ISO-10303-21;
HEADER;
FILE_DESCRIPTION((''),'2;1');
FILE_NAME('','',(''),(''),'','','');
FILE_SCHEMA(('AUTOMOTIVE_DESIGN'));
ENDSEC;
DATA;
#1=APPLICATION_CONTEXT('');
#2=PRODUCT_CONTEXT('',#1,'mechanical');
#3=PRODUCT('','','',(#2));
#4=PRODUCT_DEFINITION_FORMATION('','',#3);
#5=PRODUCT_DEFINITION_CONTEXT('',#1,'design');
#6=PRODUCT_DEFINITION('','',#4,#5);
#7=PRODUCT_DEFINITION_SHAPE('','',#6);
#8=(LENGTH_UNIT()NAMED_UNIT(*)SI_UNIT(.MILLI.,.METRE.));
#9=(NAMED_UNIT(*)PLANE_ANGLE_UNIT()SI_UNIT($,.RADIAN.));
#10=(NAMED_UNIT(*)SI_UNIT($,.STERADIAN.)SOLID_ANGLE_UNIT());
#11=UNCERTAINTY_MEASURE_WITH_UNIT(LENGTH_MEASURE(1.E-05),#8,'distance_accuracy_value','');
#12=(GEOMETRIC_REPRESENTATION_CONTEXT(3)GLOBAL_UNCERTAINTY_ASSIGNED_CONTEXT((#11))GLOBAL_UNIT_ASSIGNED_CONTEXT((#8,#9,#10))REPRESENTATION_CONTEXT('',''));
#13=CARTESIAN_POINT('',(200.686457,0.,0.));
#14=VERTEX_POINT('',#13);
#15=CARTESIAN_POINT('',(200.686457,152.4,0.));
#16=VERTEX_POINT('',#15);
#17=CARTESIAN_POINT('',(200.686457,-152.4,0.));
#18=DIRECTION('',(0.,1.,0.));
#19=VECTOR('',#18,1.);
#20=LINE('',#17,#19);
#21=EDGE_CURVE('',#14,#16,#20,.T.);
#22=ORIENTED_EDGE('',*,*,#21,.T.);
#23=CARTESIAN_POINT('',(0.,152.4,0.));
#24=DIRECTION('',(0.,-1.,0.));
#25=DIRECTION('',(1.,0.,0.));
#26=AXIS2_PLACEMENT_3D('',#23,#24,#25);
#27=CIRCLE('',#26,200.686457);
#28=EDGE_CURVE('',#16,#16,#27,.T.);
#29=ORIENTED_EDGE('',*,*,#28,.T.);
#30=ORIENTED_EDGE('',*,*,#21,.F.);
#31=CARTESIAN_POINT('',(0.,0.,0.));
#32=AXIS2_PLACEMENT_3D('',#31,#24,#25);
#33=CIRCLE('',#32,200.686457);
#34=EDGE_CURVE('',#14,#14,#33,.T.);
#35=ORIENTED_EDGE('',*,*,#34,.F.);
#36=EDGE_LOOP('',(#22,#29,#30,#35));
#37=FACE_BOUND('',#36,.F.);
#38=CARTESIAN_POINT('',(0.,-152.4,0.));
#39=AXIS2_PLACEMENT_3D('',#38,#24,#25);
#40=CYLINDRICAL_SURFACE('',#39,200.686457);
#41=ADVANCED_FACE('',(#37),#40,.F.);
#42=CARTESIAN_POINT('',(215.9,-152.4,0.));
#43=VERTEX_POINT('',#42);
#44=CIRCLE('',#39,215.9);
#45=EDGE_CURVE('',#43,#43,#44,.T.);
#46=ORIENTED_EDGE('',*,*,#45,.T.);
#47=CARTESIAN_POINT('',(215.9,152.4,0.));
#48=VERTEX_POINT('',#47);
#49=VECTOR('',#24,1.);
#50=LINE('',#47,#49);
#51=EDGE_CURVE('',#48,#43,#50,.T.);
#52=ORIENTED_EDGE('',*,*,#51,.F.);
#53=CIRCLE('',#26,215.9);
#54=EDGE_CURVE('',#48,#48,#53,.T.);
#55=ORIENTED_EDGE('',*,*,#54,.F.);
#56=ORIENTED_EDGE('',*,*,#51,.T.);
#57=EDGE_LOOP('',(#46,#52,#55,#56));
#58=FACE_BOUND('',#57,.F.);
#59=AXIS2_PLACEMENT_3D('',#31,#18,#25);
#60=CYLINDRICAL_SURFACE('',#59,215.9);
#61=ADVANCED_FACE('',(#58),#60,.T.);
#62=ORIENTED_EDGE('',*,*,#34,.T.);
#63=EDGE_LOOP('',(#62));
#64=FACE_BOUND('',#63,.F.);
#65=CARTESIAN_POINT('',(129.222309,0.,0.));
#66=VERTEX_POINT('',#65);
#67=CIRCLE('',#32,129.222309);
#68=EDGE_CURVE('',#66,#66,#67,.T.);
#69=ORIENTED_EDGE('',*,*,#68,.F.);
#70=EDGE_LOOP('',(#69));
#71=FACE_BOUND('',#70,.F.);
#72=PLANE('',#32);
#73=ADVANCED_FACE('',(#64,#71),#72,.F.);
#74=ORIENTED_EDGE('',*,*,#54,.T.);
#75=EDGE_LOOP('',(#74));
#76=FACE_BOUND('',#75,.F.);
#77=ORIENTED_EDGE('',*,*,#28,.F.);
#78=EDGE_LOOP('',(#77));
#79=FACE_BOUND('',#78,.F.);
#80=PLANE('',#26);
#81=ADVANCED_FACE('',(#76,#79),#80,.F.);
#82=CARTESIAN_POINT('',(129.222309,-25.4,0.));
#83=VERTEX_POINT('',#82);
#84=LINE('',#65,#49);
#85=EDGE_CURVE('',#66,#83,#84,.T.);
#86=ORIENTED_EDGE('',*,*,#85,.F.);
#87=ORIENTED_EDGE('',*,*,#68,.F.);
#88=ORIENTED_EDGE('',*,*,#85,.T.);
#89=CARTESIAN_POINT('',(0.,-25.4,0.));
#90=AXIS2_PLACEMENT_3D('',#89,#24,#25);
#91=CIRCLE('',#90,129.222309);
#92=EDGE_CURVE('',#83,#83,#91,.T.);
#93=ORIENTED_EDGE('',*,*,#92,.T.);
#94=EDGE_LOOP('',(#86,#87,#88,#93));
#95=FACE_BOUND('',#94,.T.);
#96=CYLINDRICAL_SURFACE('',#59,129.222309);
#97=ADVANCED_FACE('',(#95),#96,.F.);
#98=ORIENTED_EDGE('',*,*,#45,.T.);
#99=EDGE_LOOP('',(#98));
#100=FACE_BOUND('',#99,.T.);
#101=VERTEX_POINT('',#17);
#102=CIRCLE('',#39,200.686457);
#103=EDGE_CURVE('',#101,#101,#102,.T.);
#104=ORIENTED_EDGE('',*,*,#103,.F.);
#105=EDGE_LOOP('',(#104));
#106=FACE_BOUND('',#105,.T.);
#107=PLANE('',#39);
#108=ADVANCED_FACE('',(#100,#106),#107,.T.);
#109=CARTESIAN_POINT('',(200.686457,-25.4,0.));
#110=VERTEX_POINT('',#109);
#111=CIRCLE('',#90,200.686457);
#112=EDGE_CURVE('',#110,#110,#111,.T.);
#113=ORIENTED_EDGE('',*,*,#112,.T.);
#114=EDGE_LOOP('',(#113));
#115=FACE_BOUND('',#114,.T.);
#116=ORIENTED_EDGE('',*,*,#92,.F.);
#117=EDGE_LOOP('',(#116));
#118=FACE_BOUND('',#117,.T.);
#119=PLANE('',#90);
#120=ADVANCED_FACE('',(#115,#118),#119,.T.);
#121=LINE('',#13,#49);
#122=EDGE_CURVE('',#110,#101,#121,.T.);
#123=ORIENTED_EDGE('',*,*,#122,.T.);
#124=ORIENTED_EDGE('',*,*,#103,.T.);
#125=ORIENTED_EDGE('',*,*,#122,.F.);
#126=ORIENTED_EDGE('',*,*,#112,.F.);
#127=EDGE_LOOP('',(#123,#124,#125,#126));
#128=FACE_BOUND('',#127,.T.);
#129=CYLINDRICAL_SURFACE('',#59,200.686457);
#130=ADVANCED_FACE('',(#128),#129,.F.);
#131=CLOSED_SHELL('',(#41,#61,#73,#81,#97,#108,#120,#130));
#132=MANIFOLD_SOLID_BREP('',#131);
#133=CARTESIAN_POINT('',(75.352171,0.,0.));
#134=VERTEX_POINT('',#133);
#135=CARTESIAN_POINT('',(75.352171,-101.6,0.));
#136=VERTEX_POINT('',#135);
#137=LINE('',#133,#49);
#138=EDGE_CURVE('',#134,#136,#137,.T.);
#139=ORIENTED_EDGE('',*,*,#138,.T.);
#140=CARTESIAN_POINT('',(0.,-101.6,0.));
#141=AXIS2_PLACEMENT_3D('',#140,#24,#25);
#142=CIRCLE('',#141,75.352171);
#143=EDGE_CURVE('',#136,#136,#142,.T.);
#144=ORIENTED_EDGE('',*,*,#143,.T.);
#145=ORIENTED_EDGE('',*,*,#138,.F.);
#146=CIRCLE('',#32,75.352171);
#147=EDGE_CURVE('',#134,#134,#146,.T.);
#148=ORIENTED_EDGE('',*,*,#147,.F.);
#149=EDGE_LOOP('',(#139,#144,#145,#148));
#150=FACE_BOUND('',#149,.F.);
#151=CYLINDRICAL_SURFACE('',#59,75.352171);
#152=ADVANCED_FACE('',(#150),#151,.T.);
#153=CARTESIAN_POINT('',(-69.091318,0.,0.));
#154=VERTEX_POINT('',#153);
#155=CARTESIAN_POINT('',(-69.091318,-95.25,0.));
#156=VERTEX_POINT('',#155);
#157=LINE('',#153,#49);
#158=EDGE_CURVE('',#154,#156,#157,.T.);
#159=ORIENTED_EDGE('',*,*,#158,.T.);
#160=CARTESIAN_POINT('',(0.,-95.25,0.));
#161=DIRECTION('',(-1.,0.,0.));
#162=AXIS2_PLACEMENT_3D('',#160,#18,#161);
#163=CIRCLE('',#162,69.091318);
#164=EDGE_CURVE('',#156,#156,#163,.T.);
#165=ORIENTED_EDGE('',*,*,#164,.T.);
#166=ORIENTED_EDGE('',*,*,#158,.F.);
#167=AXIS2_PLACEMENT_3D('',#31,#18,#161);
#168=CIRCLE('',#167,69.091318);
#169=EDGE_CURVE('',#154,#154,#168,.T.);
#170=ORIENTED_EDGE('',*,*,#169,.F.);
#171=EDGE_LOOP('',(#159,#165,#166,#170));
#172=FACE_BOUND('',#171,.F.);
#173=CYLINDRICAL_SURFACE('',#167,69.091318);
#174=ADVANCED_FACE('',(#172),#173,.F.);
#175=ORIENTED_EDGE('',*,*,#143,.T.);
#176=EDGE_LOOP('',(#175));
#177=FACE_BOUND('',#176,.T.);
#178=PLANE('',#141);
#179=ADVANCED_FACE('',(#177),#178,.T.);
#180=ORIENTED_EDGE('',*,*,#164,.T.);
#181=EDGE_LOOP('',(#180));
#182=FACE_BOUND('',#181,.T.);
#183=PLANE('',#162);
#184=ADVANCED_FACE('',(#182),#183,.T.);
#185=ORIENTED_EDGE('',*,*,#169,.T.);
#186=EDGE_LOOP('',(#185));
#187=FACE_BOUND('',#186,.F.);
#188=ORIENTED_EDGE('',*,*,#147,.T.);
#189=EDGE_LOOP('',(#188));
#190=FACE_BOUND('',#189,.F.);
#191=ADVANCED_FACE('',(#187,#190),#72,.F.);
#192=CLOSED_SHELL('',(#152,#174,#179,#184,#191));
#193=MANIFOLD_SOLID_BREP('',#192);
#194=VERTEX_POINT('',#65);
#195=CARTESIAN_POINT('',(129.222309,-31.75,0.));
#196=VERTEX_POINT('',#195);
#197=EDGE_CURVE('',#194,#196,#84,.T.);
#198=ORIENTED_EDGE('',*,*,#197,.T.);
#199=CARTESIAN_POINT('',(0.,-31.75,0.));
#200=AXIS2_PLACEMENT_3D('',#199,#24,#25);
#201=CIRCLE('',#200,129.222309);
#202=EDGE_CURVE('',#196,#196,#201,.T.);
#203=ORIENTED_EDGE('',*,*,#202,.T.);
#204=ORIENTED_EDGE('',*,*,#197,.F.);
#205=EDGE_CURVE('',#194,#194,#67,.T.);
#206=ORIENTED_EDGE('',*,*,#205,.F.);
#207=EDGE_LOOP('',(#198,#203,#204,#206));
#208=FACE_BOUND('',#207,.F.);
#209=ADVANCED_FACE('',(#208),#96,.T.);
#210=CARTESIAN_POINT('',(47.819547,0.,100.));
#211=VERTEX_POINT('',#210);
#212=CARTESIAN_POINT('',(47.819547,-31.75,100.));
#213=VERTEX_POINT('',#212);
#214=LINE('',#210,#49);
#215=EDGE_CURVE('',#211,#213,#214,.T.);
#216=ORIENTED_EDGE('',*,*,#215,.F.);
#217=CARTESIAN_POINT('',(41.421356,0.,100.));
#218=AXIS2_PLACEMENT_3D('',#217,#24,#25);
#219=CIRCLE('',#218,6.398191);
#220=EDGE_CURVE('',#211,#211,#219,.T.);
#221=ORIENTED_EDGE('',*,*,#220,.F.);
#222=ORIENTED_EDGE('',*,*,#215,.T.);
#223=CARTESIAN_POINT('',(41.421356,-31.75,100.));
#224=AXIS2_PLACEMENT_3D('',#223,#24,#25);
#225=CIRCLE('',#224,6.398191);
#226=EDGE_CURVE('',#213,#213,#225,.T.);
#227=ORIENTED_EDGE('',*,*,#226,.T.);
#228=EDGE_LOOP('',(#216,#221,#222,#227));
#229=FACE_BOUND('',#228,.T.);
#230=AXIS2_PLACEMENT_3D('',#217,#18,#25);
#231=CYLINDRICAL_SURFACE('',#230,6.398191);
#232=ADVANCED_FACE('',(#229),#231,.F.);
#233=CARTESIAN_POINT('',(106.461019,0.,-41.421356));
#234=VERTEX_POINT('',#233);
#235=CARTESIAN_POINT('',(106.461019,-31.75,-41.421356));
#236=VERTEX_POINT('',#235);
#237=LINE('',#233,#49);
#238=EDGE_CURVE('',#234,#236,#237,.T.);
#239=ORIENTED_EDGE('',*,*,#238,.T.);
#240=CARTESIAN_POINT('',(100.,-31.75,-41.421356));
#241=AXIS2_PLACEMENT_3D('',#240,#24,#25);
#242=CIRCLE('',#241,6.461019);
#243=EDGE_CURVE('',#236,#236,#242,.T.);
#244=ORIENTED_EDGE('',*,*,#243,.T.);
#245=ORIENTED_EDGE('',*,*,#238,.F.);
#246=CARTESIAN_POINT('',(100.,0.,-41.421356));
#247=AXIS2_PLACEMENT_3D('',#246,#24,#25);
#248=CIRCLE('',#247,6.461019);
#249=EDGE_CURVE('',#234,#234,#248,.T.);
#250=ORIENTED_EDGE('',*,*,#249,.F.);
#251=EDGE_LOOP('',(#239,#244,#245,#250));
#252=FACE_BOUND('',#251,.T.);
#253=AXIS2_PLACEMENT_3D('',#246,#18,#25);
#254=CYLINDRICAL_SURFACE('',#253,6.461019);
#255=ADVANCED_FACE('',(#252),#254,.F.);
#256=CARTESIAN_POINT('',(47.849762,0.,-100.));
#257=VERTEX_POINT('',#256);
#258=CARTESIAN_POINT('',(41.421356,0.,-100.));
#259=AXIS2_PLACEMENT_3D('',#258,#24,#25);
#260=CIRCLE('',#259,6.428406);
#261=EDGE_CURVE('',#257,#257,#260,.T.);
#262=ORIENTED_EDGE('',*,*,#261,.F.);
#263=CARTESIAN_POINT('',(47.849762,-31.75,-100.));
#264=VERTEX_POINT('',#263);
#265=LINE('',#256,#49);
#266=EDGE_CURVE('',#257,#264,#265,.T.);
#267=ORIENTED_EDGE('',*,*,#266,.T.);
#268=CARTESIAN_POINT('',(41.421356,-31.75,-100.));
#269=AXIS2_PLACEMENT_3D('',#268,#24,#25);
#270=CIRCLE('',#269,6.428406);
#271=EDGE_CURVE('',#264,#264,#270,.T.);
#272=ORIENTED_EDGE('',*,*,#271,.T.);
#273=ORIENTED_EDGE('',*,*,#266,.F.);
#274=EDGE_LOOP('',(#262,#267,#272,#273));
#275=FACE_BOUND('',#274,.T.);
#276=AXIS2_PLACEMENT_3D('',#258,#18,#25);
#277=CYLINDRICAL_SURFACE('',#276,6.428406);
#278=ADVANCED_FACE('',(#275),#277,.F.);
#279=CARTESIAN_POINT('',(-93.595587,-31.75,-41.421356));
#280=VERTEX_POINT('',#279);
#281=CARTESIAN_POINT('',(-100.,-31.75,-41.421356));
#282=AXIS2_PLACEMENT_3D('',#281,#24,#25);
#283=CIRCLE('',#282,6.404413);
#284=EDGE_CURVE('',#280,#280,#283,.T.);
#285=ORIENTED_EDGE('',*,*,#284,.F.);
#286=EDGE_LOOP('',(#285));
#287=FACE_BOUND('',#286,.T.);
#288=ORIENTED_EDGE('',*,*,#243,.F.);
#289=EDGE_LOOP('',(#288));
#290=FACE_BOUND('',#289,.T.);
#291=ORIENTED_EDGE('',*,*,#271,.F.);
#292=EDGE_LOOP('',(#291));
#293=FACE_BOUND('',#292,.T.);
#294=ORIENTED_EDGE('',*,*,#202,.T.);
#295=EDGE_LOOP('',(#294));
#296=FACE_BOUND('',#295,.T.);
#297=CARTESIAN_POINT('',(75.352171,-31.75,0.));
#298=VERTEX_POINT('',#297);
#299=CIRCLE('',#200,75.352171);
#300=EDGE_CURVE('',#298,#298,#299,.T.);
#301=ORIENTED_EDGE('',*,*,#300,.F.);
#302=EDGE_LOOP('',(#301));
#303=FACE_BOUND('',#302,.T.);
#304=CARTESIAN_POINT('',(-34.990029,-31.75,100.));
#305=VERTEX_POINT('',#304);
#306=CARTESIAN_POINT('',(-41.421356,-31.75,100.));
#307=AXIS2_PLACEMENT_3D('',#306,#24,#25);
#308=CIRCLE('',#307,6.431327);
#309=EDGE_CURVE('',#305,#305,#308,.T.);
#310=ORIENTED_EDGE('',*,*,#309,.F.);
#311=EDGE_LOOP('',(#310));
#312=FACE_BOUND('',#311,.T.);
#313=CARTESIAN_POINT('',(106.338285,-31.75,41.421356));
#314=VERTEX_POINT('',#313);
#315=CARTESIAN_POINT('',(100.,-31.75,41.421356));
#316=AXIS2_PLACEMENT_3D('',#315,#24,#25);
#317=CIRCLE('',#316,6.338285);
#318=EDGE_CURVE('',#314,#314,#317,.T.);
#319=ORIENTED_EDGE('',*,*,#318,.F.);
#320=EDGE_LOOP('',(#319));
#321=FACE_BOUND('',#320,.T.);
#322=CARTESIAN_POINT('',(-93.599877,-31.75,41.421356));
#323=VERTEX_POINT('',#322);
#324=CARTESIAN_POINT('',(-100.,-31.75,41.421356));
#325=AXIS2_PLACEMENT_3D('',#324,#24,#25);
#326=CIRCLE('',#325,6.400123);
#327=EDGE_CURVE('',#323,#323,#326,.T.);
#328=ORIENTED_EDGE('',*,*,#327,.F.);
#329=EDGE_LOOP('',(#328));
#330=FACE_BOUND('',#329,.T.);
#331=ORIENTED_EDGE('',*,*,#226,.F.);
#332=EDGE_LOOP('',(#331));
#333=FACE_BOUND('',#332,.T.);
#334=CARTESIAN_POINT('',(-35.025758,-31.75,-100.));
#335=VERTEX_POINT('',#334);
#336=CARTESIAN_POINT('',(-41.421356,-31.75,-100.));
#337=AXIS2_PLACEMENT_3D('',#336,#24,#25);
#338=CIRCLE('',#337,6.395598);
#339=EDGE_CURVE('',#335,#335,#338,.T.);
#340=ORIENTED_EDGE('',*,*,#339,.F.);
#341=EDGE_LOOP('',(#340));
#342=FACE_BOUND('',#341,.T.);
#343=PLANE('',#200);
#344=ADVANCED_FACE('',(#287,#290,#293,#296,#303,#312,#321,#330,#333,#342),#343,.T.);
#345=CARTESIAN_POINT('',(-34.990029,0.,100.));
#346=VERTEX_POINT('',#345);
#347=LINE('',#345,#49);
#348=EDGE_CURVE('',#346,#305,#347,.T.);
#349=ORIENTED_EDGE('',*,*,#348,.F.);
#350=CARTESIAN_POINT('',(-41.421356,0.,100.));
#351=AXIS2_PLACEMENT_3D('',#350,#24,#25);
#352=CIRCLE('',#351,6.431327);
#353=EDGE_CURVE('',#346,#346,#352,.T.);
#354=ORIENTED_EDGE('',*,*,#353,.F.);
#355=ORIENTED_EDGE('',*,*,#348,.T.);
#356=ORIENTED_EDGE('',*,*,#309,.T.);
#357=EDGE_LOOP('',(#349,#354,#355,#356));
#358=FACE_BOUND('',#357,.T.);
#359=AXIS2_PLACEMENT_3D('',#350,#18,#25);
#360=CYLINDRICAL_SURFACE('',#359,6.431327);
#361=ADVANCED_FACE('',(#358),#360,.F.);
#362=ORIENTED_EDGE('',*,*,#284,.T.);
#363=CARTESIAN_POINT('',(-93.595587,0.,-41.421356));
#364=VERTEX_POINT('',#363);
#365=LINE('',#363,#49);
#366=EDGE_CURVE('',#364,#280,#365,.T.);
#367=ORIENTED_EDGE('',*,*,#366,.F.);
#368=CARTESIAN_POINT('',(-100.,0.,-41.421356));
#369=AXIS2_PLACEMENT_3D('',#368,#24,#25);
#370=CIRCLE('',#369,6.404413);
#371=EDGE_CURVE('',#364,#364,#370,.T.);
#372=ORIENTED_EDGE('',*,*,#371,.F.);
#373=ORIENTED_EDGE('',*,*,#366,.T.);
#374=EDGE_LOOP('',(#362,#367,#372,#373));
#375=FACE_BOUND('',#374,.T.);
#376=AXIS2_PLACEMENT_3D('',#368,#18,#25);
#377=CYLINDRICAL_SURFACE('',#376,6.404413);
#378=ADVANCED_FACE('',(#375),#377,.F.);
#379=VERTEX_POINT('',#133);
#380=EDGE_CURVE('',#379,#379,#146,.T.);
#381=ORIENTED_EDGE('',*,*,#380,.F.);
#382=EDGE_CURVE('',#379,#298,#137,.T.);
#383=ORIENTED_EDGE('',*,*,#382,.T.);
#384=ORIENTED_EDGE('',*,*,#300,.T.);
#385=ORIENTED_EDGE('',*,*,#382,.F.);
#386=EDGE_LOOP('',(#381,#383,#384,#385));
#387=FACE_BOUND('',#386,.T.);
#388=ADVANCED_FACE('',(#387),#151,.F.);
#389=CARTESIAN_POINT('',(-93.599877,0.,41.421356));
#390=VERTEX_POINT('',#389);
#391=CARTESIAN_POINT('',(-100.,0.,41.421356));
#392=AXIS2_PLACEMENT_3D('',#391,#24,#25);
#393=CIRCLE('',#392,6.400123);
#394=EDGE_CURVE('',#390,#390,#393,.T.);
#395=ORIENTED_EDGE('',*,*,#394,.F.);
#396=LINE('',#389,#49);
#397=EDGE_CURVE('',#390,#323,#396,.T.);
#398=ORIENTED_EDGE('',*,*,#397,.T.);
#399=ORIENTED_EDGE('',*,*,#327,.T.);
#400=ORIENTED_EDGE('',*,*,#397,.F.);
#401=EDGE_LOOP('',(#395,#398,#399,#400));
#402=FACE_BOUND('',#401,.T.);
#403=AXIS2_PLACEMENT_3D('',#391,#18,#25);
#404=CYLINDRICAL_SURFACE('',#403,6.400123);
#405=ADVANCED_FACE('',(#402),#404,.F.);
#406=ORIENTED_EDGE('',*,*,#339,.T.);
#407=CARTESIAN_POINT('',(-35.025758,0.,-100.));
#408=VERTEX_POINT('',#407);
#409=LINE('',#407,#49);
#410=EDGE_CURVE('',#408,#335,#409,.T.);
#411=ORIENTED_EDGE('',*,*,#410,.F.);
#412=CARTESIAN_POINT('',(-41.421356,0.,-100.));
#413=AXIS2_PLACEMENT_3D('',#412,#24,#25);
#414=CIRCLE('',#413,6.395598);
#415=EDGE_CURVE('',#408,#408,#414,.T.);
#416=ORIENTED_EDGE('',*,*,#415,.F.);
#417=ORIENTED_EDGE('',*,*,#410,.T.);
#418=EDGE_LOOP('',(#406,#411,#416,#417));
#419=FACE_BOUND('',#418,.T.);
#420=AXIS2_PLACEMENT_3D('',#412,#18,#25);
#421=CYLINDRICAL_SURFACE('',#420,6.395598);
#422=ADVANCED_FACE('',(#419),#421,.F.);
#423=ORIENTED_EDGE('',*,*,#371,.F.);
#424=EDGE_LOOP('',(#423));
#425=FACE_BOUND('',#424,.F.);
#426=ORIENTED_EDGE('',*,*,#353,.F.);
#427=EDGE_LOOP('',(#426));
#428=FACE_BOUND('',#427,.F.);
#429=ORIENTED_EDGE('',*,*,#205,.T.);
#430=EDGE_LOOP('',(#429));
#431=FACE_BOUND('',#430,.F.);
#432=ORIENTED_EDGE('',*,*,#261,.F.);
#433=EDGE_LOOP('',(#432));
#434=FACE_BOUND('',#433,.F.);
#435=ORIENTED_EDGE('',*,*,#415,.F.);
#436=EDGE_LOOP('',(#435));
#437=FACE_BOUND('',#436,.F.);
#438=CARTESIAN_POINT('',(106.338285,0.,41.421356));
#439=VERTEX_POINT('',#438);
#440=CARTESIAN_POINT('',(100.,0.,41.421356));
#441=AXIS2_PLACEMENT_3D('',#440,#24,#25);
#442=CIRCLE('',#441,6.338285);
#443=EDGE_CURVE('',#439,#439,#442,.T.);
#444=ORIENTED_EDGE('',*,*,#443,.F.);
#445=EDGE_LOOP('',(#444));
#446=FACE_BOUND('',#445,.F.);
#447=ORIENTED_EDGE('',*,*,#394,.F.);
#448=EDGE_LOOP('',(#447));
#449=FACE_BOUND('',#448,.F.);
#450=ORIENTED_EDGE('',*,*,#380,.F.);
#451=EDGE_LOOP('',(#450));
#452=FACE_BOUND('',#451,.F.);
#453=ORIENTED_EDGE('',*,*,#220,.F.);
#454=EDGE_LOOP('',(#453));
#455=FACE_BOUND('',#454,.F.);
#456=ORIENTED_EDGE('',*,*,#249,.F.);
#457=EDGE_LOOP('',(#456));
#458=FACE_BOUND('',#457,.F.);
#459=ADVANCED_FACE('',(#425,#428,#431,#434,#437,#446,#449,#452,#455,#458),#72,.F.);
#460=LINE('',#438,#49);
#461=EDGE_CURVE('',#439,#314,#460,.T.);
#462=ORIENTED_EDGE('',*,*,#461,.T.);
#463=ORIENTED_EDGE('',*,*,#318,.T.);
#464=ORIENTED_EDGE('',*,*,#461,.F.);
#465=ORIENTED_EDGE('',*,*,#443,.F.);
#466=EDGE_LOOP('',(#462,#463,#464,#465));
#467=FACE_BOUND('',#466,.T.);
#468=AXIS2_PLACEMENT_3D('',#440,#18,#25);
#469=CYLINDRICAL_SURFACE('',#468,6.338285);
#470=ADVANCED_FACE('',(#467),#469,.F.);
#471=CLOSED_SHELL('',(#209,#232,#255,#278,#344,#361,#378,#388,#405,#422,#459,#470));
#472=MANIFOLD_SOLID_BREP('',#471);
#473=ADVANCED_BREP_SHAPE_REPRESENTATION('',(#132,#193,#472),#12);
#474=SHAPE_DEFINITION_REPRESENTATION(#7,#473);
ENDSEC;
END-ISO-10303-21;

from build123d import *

# Parameters (mm, degrees)
F0_R        = 215.9
F0_R_2      = 200.686457
F1_DEPTH    = 152.4
F0_R_3      = 129.222309
F2_DEPTH    = 25.4
F0_R_4      = 75.352171
F3_DEPTH    = 101.6
F0_R_5      = 6.395598
F0_R_6      = 6.404413
F0_R_7      = 6.428406
F0_R_8      = 6.461019
F0_R_9      = 6.400123
F0_R_10     = 6.431327
F0_R_11     = 6.338285
F0_R_12     = 6.398191
F4_DEPTH    = 31.75
F5_R        = 69.091318
F6_DEPTH    = 95.25
F1_FACE_R   = 215.9
F1_FACE_R_2 = 200.686457
F7_DEPTH    = 304.8


with BuildPart() as f1:
    # F0 (on Front) → F1 (new body)
    with BuildSketch(Plane.XZ):
        Circle(F0_R)
        Circle(F0_R_2, mode=Mode.SUBTRACT)
    extrude(amount=F1_DEPTH)

    # F0 (on Front) → F2 (join)
    with BuildSketch(Plane.XZ):
        Circle(F0_R_2)
        Circle(F0_R_3, mode=Mode.SUBTRACT)
    extrude(amount=F2_DEPTH)

    # F1_face (on face) → F7 (join)
    with BuildSketch(Plane.XZ.offset(152.4)):
        Circle(F1_FACE_R)
        Circle(F1_FACE_R_2, mode=Mode.SUBTRACT)
    extrude(amount=-F7_DEPTH)


with BuildPart() as f3:
    # F0 (on Front) → F3 (new body)
    with BuildSketch(Plane.XZ):
        Circle(F0_R_4)
    extrude(amount=F3_DEPTH)

    # F5 (on face) → F6 (cut)
    with BuildSketch(Plane(origin=(0, 0, 0), x_dir=(-1, 0, 0), z_dir=(0, 1, 0))):
        Circle(F5_R)
    extrude(amount=-F6_DEPTH, mode=Mode.SUBTRACT)


with BuildPart() as f4:
    # F0 (on Front) → F4 (new body)
    with BuildSketch(Plane.XZ):
        Circle(F0_R_3)
        with Locations((-41.421356, -100)):
            Circle(F0_R_5, mode=Mode.SUBTRACT)
        with Locations((-100, -41.421356)):
            Circle(F0_R_6, mode=Mode.SUBTRACT)
        with Locations((41.421356, -100)):
            Circle(F0_R_7, mode=Mode.SUBTRACT)
        with Locations((100, -41.421356)):
            Circle(F0_R_8, mode=Mode.SUBTRACT)
        with Locations((-100, 41.421356)):
            Circle(F0_R_9, mode=Mode.SUBTRACT)
        with Locations((-41.421356, 100)):
            Circle(F0_R_10, mode=Mode.SUBTRACT)
        Circle(F0_R_4, mode=Mode.SUBTRACT)
        with Locations((100, 41.421356)):
            Circle(F0_R_11, mode=Mode.SUBTRACT)
        with Locations((41.421356, 100)):
            Circle(F0_R_12, mode=Mode.SUBTRACT)
    extrude(amount=F4_DEPTH)


solid = Compound([f1.part, f3.part, f4.part])
